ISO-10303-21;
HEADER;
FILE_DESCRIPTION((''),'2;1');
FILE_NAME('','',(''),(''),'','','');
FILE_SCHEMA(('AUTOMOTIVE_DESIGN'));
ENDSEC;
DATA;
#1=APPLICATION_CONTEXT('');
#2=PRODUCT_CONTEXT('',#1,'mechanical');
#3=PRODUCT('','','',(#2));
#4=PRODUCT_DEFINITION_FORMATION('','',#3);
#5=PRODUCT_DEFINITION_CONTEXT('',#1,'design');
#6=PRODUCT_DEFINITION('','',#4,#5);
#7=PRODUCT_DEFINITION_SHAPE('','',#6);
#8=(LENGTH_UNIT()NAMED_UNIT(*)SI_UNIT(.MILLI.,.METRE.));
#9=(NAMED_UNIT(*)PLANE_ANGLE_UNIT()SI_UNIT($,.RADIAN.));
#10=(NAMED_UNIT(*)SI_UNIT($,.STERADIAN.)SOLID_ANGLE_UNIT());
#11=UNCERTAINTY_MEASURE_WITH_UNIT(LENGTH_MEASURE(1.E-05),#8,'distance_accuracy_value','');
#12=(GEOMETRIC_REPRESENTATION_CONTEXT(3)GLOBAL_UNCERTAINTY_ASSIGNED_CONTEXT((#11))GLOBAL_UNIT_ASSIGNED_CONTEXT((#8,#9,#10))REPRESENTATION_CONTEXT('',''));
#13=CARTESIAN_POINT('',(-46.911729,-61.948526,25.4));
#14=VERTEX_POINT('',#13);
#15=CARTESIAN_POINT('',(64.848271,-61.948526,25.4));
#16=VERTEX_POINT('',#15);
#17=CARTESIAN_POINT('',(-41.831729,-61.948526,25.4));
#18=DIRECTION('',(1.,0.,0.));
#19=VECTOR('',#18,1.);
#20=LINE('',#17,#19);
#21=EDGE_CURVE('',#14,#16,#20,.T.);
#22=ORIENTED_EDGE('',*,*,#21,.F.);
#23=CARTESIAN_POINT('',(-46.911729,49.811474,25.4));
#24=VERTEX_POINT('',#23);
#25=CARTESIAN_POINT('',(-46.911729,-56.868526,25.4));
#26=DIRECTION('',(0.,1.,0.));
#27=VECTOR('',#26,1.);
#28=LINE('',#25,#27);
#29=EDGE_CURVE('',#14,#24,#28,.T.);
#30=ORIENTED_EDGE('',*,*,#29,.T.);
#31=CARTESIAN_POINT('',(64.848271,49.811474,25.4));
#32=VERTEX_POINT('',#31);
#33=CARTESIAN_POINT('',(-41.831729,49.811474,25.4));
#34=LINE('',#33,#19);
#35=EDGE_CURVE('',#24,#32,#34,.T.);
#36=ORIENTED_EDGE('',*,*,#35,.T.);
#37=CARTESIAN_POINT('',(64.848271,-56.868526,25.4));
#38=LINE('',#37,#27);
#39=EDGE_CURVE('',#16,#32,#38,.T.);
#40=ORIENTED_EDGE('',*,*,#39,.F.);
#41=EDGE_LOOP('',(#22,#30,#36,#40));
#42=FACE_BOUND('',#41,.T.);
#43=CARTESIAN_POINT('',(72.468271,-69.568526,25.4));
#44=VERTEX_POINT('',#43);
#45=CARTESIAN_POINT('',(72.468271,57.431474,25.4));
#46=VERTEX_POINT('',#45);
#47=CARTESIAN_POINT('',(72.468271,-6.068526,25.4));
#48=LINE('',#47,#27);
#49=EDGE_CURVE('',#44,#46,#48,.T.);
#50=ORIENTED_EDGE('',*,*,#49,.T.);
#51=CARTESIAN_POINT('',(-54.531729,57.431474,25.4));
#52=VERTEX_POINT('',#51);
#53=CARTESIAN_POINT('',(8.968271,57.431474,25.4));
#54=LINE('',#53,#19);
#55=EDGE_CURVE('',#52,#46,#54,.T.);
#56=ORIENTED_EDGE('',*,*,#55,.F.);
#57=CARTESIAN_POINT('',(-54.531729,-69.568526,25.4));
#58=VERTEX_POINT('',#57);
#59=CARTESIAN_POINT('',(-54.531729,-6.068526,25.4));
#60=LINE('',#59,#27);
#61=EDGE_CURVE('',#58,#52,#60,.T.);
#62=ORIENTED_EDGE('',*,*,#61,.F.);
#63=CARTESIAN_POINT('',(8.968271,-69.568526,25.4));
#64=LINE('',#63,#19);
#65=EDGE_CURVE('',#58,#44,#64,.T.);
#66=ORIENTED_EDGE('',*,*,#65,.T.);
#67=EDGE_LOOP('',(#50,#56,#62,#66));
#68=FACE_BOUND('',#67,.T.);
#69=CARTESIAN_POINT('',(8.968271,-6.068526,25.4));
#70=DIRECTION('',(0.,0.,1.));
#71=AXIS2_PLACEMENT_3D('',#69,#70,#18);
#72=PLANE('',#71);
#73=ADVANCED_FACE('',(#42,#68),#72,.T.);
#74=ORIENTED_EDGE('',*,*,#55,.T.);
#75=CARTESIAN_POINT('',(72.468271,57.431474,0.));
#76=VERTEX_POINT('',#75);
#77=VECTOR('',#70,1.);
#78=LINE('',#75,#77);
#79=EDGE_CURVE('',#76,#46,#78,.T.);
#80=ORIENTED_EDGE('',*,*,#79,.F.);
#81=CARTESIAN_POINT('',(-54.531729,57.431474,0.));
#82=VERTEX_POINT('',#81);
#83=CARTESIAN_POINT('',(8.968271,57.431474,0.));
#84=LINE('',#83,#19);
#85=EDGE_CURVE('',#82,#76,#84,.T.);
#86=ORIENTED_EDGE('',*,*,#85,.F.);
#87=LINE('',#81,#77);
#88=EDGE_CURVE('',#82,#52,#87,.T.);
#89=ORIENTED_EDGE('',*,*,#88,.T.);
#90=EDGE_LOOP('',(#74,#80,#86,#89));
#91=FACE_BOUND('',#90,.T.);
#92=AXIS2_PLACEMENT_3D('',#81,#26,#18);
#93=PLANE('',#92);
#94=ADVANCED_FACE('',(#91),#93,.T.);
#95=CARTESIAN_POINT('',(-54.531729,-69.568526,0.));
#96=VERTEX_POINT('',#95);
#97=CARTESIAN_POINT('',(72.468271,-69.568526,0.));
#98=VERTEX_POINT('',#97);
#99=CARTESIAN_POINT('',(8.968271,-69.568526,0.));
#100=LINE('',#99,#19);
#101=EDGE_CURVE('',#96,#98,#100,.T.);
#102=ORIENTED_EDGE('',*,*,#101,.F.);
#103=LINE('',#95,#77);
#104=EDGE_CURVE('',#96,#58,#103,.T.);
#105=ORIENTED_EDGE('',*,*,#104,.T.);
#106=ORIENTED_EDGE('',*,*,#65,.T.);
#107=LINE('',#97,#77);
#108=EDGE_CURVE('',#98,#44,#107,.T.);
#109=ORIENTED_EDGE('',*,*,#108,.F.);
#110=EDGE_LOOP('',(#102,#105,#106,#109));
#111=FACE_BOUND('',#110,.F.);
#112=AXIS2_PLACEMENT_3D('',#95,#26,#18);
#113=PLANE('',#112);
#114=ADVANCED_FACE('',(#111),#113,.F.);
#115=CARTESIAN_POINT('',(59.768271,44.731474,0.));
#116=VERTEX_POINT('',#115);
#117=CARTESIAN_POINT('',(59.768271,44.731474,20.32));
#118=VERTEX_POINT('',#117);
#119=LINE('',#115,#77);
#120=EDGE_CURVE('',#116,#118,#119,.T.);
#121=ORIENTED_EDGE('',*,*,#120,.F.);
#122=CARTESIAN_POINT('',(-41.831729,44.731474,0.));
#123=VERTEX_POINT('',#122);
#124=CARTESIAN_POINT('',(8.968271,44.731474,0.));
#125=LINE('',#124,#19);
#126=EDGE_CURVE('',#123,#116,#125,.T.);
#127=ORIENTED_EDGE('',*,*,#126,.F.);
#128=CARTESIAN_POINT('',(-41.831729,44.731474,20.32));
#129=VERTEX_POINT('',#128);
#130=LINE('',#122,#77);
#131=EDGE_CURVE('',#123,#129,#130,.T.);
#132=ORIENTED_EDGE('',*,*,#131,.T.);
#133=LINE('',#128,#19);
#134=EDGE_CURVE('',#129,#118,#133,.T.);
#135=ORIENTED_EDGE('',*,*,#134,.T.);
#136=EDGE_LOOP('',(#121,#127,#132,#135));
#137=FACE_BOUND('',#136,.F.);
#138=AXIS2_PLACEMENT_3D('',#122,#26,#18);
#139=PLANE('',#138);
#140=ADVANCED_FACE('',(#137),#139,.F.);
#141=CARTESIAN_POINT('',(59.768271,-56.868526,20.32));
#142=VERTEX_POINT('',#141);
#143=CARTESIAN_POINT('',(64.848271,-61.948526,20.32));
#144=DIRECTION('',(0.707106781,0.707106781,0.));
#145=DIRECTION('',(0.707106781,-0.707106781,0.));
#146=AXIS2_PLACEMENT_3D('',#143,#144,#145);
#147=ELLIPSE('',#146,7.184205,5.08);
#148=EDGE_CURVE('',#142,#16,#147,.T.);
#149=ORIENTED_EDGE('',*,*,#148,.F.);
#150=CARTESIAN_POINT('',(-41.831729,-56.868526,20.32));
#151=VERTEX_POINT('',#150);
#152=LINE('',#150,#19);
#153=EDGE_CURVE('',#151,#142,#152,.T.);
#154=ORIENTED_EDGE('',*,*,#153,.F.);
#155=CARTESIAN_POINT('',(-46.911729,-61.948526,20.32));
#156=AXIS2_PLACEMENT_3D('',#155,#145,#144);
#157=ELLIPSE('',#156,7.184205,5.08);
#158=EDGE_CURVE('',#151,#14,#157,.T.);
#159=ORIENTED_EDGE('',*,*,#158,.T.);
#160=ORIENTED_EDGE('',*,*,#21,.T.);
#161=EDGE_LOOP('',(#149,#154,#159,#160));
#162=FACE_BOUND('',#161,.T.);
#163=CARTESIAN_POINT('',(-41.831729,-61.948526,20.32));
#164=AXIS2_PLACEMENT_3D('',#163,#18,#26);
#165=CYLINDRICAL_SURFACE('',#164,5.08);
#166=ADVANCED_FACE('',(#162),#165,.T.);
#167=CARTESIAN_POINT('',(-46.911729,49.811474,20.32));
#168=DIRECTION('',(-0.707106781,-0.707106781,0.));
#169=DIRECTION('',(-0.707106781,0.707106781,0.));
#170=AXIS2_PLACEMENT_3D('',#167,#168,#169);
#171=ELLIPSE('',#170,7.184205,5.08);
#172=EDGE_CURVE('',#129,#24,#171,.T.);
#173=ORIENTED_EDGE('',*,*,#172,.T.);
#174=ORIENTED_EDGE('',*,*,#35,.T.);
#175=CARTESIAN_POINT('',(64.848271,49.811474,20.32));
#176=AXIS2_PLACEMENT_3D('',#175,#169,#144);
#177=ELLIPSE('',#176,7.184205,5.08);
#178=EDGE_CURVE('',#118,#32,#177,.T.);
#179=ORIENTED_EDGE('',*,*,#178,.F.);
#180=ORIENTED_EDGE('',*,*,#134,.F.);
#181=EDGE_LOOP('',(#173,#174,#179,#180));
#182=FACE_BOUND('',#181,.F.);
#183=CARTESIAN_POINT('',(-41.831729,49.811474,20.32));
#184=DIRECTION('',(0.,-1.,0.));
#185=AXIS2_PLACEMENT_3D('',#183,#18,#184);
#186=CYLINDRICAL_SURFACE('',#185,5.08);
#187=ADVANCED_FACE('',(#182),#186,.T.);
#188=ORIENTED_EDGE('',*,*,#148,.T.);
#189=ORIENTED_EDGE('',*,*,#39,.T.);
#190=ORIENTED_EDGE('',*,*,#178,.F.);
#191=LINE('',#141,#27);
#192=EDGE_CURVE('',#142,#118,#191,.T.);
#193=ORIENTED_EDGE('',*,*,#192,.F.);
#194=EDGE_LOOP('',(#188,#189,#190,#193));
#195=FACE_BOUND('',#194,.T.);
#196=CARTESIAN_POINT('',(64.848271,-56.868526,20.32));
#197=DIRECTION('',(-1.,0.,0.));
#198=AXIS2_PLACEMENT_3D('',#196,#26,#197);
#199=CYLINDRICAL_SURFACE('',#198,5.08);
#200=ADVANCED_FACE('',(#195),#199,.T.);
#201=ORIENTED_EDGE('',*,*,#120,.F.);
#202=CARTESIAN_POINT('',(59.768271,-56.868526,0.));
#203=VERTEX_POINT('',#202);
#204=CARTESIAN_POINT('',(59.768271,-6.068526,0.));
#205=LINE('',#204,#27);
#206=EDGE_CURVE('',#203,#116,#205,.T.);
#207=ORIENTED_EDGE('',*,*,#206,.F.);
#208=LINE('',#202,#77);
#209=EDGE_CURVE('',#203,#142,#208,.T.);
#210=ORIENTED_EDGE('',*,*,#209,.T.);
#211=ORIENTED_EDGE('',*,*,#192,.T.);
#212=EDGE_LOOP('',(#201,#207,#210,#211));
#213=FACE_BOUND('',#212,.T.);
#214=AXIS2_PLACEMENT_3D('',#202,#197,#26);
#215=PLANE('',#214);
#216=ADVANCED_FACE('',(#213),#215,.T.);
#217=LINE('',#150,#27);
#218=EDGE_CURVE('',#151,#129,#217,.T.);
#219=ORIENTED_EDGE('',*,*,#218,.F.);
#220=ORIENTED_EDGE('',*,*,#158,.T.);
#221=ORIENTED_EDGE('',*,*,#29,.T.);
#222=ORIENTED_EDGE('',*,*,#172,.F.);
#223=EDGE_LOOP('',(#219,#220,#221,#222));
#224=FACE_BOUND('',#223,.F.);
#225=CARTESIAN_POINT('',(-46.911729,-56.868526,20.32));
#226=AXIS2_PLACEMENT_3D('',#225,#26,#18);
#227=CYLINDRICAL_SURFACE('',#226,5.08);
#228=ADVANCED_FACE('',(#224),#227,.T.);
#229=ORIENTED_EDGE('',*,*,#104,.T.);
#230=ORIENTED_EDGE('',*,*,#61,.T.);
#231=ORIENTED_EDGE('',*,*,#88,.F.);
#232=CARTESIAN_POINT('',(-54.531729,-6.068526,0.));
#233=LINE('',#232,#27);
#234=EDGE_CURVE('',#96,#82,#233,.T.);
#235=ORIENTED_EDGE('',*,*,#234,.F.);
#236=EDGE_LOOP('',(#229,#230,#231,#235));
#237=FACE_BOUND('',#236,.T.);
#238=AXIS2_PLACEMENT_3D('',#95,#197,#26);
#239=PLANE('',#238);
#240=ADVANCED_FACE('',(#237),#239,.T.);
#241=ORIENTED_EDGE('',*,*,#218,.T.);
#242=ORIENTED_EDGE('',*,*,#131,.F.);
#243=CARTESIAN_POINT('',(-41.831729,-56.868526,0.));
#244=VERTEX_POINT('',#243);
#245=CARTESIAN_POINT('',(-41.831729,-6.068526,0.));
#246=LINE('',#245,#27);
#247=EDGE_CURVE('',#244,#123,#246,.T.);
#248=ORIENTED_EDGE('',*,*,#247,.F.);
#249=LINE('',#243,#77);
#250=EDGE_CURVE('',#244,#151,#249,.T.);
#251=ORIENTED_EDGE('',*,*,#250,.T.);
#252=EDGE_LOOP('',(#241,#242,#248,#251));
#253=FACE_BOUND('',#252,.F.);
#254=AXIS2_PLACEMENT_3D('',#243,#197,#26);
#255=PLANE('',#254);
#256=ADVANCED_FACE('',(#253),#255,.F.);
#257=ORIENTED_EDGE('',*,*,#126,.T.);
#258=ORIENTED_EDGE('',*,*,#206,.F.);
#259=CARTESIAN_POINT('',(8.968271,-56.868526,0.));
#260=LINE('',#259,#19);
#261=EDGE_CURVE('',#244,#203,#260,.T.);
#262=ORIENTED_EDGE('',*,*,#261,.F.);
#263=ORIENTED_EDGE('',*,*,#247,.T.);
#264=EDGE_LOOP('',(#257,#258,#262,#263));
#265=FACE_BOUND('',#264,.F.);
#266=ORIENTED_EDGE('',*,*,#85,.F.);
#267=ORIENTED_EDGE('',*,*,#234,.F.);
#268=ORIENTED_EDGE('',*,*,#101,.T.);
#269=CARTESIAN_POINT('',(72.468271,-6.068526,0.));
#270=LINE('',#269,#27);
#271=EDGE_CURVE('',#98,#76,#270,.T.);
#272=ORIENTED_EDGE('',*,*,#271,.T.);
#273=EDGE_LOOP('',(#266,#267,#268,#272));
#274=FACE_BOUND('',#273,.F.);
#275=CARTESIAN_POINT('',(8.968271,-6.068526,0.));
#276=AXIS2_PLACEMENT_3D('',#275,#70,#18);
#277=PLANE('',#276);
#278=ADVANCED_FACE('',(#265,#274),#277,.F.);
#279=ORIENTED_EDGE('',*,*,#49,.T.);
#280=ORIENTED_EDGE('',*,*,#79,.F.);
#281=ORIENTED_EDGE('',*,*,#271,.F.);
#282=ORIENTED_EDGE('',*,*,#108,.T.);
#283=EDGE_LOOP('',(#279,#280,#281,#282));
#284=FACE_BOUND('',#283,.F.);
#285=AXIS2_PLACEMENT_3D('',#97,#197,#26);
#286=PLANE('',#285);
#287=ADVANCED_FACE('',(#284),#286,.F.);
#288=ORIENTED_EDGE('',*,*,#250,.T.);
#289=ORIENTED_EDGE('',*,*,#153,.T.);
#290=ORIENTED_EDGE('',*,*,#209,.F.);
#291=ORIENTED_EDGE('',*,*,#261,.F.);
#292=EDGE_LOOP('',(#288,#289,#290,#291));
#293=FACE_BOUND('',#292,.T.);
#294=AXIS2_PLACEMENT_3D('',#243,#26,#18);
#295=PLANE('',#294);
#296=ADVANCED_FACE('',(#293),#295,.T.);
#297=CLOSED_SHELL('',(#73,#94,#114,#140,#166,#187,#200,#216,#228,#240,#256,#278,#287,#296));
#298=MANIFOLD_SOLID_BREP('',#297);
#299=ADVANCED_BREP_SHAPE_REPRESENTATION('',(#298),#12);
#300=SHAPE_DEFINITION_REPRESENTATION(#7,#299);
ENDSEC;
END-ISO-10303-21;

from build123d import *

# Parameters (mm, degrees)
F1_W     = 127
F1_H     = 127
F1_W_2   = 101.6
F1_H_2   = 101.6
F2_DEPTH = 25.4
F3_R     = 5.08


with BuildPart() as f2:
    # F1 (on face) → F2 (new body)
    with BuildSketch(Plane.XY):
        with Locations((8.968271, -6.068526)):
            Rectangle(F1_W, F1_H)
        with Locations((8.968271, -6.068526)):
            Rectangle(F1_W_2, F1_H_2, mode=Mode.SUBTRACT)
    extrude(amount=F2_DEPTH)

    # F3
    f3_edges = [f2.edges().sort_by_distance(p)[0] for p in [
        (8.968271, -56.868526, 25.4),
        (59.768271, -6.068526, 25.4),
        (-41.831729, -6.068526, 25.4),
        (8.968271, 44.731474, 25.4),
    ]]
    fillet(f3_edges, radius=F3_R)


solid = f2.part
